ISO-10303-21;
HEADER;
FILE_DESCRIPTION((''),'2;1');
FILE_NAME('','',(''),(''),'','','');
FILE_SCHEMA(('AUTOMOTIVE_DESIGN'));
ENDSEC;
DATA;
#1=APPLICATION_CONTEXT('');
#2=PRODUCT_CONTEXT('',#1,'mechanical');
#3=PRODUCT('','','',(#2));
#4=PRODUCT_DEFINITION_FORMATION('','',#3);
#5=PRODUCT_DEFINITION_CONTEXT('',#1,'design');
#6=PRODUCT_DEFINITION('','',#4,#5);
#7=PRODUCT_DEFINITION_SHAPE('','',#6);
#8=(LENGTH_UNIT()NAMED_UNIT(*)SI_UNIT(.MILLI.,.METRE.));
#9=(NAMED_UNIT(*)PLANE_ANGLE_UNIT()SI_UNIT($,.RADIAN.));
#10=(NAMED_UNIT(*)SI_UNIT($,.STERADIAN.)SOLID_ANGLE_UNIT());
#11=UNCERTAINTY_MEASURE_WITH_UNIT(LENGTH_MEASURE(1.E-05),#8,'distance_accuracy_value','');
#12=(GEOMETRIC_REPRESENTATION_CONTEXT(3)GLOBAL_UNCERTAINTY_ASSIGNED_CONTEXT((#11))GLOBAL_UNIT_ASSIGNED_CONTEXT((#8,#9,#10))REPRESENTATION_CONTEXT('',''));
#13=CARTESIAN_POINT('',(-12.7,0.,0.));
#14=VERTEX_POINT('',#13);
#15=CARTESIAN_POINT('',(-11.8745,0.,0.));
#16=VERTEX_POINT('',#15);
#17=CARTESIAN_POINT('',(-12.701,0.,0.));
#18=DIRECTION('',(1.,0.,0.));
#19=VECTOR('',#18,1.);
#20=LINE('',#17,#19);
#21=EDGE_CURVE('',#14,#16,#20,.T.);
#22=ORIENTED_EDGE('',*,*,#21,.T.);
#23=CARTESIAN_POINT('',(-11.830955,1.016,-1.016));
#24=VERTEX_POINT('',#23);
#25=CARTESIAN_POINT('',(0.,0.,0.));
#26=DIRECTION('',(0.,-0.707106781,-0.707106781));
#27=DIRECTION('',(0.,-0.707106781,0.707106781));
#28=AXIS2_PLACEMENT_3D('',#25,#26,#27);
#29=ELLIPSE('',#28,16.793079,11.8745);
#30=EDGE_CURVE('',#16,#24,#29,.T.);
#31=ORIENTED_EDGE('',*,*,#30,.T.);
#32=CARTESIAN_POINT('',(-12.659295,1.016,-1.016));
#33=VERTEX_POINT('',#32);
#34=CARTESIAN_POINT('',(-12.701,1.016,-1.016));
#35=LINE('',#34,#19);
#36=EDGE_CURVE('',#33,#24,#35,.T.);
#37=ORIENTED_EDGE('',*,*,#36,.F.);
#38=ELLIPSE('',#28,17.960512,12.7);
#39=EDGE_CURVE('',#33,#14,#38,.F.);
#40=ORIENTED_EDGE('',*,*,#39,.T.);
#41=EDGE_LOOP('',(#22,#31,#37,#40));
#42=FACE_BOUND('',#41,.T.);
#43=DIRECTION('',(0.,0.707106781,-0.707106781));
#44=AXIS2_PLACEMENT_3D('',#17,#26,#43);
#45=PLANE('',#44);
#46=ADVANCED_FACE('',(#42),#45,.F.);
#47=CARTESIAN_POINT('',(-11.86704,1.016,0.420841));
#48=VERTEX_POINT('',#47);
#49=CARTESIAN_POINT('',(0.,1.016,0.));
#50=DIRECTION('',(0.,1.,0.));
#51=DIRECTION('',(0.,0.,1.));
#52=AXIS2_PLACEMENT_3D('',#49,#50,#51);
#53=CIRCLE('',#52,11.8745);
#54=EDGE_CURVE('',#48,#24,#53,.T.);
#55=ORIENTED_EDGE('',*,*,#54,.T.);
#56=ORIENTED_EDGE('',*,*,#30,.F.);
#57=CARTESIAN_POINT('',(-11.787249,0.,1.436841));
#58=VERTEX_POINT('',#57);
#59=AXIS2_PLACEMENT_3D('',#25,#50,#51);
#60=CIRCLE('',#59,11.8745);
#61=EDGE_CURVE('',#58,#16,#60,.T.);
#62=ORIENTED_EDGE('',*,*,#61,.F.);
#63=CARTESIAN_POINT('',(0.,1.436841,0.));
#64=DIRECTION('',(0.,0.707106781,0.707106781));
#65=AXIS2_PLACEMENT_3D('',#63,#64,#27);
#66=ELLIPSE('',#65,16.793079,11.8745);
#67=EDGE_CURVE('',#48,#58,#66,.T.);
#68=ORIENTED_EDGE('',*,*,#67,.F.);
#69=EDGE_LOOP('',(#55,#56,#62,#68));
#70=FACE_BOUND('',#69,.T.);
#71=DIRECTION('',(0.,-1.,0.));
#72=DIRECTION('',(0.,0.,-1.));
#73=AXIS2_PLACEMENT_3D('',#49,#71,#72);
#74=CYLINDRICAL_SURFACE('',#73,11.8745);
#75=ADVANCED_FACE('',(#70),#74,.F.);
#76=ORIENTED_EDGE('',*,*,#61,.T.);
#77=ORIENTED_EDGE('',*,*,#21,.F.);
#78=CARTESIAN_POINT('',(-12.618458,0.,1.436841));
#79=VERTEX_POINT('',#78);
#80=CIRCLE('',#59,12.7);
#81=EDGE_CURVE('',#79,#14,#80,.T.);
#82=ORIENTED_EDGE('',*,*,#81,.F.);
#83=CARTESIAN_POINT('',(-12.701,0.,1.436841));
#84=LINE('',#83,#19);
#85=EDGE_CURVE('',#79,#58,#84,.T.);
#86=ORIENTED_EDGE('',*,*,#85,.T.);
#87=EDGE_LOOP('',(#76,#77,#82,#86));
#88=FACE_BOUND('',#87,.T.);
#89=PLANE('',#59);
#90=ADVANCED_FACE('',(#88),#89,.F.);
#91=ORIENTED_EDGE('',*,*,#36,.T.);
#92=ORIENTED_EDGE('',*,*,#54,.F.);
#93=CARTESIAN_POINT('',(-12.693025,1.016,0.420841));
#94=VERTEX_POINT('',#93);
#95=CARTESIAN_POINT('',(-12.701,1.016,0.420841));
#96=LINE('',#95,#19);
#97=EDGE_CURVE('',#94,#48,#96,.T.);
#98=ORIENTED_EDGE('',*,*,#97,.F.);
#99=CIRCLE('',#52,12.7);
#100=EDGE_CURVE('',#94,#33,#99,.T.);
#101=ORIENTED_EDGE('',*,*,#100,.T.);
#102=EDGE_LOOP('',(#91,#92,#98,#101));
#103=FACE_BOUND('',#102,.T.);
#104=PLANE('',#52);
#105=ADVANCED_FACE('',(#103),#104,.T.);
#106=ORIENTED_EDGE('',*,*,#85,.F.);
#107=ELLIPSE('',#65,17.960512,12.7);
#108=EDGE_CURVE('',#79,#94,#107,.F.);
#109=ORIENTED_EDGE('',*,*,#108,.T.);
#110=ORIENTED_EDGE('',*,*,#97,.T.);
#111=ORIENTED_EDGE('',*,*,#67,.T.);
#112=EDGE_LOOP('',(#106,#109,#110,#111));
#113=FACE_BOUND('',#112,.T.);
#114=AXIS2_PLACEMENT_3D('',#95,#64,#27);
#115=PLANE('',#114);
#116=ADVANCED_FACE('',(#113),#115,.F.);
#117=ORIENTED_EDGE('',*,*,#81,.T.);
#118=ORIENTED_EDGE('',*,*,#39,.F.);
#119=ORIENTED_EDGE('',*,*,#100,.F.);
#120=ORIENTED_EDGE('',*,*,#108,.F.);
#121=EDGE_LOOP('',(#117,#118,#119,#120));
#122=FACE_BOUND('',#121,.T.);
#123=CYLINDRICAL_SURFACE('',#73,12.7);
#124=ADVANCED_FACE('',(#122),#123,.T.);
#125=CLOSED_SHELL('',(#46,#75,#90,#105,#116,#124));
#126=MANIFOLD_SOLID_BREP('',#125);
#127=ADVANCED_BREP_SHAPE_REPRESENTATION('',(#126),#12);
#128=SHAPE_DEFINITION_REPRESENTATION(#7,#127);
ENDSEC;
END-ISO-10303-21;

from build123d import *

# Parameters (mm, degrees)
SKETCH1_R               = 12.7
SKETCH1_R_2             = 11.8745
BOSS_EXTRUDE1_DEPTH     = 1.016
CUT_EXTRUDE1_REACH      = 19.989
CUT_EXTRUDE1_END_RADIUS = 12.7


with BuildPart() as part:
    # Sketch1 → Boss-Extrude1 (new body)
    with BuildSketch(Plane(origin=(0, 0, 0), x_dir=(1, 0, 0), z_dir=(0, 1, 0))):
        Circle(SKETCH1_R)
        Circle(SKETCH1_R_2, mode=Mode.SUBTRACT)
    extrude(amount=BOSS_EXTRUDE1_DEPTH)

    # Cut-Extrude1: up to this cylinder (the profile starts inside it)
    cut_extrude1_end = Plane(origin=(0, 0.508, 0), z_dir=(0, -1, 0)) * Cylinder(CUT_EXTRUDE1_END_RADIUS, 66.378, mode=Mode.PRIVATE)
    # Sketch2 → Cut-Extrude1 (cut, up to the surface)
    with BuildSketch(Plane(origin=(0, 0, 0), x_dir=(0, 0, -1), z_dir=(1, 0, 0)), mode=Mode.PRIVATE) as cut_extrude1_sk1:
        Polygon((0, 0), (1.016, 1.016), (-0.420840979, 1.016), (-1.436840979, 0), align=None)
    cut_extrude1_tool1 = extrude(cut_extrude1_sk1.sketch, amount=-CUT_EXTRUDE1_REACH, mode=Mode.PRIVATE) & cut_extrude1_end
    add(cut_extrude1_tool1.solids().sort_by_distance((0, 0.508, 0.21042))[0], mode=Mode.SUBTRACT)


solid = part.part
